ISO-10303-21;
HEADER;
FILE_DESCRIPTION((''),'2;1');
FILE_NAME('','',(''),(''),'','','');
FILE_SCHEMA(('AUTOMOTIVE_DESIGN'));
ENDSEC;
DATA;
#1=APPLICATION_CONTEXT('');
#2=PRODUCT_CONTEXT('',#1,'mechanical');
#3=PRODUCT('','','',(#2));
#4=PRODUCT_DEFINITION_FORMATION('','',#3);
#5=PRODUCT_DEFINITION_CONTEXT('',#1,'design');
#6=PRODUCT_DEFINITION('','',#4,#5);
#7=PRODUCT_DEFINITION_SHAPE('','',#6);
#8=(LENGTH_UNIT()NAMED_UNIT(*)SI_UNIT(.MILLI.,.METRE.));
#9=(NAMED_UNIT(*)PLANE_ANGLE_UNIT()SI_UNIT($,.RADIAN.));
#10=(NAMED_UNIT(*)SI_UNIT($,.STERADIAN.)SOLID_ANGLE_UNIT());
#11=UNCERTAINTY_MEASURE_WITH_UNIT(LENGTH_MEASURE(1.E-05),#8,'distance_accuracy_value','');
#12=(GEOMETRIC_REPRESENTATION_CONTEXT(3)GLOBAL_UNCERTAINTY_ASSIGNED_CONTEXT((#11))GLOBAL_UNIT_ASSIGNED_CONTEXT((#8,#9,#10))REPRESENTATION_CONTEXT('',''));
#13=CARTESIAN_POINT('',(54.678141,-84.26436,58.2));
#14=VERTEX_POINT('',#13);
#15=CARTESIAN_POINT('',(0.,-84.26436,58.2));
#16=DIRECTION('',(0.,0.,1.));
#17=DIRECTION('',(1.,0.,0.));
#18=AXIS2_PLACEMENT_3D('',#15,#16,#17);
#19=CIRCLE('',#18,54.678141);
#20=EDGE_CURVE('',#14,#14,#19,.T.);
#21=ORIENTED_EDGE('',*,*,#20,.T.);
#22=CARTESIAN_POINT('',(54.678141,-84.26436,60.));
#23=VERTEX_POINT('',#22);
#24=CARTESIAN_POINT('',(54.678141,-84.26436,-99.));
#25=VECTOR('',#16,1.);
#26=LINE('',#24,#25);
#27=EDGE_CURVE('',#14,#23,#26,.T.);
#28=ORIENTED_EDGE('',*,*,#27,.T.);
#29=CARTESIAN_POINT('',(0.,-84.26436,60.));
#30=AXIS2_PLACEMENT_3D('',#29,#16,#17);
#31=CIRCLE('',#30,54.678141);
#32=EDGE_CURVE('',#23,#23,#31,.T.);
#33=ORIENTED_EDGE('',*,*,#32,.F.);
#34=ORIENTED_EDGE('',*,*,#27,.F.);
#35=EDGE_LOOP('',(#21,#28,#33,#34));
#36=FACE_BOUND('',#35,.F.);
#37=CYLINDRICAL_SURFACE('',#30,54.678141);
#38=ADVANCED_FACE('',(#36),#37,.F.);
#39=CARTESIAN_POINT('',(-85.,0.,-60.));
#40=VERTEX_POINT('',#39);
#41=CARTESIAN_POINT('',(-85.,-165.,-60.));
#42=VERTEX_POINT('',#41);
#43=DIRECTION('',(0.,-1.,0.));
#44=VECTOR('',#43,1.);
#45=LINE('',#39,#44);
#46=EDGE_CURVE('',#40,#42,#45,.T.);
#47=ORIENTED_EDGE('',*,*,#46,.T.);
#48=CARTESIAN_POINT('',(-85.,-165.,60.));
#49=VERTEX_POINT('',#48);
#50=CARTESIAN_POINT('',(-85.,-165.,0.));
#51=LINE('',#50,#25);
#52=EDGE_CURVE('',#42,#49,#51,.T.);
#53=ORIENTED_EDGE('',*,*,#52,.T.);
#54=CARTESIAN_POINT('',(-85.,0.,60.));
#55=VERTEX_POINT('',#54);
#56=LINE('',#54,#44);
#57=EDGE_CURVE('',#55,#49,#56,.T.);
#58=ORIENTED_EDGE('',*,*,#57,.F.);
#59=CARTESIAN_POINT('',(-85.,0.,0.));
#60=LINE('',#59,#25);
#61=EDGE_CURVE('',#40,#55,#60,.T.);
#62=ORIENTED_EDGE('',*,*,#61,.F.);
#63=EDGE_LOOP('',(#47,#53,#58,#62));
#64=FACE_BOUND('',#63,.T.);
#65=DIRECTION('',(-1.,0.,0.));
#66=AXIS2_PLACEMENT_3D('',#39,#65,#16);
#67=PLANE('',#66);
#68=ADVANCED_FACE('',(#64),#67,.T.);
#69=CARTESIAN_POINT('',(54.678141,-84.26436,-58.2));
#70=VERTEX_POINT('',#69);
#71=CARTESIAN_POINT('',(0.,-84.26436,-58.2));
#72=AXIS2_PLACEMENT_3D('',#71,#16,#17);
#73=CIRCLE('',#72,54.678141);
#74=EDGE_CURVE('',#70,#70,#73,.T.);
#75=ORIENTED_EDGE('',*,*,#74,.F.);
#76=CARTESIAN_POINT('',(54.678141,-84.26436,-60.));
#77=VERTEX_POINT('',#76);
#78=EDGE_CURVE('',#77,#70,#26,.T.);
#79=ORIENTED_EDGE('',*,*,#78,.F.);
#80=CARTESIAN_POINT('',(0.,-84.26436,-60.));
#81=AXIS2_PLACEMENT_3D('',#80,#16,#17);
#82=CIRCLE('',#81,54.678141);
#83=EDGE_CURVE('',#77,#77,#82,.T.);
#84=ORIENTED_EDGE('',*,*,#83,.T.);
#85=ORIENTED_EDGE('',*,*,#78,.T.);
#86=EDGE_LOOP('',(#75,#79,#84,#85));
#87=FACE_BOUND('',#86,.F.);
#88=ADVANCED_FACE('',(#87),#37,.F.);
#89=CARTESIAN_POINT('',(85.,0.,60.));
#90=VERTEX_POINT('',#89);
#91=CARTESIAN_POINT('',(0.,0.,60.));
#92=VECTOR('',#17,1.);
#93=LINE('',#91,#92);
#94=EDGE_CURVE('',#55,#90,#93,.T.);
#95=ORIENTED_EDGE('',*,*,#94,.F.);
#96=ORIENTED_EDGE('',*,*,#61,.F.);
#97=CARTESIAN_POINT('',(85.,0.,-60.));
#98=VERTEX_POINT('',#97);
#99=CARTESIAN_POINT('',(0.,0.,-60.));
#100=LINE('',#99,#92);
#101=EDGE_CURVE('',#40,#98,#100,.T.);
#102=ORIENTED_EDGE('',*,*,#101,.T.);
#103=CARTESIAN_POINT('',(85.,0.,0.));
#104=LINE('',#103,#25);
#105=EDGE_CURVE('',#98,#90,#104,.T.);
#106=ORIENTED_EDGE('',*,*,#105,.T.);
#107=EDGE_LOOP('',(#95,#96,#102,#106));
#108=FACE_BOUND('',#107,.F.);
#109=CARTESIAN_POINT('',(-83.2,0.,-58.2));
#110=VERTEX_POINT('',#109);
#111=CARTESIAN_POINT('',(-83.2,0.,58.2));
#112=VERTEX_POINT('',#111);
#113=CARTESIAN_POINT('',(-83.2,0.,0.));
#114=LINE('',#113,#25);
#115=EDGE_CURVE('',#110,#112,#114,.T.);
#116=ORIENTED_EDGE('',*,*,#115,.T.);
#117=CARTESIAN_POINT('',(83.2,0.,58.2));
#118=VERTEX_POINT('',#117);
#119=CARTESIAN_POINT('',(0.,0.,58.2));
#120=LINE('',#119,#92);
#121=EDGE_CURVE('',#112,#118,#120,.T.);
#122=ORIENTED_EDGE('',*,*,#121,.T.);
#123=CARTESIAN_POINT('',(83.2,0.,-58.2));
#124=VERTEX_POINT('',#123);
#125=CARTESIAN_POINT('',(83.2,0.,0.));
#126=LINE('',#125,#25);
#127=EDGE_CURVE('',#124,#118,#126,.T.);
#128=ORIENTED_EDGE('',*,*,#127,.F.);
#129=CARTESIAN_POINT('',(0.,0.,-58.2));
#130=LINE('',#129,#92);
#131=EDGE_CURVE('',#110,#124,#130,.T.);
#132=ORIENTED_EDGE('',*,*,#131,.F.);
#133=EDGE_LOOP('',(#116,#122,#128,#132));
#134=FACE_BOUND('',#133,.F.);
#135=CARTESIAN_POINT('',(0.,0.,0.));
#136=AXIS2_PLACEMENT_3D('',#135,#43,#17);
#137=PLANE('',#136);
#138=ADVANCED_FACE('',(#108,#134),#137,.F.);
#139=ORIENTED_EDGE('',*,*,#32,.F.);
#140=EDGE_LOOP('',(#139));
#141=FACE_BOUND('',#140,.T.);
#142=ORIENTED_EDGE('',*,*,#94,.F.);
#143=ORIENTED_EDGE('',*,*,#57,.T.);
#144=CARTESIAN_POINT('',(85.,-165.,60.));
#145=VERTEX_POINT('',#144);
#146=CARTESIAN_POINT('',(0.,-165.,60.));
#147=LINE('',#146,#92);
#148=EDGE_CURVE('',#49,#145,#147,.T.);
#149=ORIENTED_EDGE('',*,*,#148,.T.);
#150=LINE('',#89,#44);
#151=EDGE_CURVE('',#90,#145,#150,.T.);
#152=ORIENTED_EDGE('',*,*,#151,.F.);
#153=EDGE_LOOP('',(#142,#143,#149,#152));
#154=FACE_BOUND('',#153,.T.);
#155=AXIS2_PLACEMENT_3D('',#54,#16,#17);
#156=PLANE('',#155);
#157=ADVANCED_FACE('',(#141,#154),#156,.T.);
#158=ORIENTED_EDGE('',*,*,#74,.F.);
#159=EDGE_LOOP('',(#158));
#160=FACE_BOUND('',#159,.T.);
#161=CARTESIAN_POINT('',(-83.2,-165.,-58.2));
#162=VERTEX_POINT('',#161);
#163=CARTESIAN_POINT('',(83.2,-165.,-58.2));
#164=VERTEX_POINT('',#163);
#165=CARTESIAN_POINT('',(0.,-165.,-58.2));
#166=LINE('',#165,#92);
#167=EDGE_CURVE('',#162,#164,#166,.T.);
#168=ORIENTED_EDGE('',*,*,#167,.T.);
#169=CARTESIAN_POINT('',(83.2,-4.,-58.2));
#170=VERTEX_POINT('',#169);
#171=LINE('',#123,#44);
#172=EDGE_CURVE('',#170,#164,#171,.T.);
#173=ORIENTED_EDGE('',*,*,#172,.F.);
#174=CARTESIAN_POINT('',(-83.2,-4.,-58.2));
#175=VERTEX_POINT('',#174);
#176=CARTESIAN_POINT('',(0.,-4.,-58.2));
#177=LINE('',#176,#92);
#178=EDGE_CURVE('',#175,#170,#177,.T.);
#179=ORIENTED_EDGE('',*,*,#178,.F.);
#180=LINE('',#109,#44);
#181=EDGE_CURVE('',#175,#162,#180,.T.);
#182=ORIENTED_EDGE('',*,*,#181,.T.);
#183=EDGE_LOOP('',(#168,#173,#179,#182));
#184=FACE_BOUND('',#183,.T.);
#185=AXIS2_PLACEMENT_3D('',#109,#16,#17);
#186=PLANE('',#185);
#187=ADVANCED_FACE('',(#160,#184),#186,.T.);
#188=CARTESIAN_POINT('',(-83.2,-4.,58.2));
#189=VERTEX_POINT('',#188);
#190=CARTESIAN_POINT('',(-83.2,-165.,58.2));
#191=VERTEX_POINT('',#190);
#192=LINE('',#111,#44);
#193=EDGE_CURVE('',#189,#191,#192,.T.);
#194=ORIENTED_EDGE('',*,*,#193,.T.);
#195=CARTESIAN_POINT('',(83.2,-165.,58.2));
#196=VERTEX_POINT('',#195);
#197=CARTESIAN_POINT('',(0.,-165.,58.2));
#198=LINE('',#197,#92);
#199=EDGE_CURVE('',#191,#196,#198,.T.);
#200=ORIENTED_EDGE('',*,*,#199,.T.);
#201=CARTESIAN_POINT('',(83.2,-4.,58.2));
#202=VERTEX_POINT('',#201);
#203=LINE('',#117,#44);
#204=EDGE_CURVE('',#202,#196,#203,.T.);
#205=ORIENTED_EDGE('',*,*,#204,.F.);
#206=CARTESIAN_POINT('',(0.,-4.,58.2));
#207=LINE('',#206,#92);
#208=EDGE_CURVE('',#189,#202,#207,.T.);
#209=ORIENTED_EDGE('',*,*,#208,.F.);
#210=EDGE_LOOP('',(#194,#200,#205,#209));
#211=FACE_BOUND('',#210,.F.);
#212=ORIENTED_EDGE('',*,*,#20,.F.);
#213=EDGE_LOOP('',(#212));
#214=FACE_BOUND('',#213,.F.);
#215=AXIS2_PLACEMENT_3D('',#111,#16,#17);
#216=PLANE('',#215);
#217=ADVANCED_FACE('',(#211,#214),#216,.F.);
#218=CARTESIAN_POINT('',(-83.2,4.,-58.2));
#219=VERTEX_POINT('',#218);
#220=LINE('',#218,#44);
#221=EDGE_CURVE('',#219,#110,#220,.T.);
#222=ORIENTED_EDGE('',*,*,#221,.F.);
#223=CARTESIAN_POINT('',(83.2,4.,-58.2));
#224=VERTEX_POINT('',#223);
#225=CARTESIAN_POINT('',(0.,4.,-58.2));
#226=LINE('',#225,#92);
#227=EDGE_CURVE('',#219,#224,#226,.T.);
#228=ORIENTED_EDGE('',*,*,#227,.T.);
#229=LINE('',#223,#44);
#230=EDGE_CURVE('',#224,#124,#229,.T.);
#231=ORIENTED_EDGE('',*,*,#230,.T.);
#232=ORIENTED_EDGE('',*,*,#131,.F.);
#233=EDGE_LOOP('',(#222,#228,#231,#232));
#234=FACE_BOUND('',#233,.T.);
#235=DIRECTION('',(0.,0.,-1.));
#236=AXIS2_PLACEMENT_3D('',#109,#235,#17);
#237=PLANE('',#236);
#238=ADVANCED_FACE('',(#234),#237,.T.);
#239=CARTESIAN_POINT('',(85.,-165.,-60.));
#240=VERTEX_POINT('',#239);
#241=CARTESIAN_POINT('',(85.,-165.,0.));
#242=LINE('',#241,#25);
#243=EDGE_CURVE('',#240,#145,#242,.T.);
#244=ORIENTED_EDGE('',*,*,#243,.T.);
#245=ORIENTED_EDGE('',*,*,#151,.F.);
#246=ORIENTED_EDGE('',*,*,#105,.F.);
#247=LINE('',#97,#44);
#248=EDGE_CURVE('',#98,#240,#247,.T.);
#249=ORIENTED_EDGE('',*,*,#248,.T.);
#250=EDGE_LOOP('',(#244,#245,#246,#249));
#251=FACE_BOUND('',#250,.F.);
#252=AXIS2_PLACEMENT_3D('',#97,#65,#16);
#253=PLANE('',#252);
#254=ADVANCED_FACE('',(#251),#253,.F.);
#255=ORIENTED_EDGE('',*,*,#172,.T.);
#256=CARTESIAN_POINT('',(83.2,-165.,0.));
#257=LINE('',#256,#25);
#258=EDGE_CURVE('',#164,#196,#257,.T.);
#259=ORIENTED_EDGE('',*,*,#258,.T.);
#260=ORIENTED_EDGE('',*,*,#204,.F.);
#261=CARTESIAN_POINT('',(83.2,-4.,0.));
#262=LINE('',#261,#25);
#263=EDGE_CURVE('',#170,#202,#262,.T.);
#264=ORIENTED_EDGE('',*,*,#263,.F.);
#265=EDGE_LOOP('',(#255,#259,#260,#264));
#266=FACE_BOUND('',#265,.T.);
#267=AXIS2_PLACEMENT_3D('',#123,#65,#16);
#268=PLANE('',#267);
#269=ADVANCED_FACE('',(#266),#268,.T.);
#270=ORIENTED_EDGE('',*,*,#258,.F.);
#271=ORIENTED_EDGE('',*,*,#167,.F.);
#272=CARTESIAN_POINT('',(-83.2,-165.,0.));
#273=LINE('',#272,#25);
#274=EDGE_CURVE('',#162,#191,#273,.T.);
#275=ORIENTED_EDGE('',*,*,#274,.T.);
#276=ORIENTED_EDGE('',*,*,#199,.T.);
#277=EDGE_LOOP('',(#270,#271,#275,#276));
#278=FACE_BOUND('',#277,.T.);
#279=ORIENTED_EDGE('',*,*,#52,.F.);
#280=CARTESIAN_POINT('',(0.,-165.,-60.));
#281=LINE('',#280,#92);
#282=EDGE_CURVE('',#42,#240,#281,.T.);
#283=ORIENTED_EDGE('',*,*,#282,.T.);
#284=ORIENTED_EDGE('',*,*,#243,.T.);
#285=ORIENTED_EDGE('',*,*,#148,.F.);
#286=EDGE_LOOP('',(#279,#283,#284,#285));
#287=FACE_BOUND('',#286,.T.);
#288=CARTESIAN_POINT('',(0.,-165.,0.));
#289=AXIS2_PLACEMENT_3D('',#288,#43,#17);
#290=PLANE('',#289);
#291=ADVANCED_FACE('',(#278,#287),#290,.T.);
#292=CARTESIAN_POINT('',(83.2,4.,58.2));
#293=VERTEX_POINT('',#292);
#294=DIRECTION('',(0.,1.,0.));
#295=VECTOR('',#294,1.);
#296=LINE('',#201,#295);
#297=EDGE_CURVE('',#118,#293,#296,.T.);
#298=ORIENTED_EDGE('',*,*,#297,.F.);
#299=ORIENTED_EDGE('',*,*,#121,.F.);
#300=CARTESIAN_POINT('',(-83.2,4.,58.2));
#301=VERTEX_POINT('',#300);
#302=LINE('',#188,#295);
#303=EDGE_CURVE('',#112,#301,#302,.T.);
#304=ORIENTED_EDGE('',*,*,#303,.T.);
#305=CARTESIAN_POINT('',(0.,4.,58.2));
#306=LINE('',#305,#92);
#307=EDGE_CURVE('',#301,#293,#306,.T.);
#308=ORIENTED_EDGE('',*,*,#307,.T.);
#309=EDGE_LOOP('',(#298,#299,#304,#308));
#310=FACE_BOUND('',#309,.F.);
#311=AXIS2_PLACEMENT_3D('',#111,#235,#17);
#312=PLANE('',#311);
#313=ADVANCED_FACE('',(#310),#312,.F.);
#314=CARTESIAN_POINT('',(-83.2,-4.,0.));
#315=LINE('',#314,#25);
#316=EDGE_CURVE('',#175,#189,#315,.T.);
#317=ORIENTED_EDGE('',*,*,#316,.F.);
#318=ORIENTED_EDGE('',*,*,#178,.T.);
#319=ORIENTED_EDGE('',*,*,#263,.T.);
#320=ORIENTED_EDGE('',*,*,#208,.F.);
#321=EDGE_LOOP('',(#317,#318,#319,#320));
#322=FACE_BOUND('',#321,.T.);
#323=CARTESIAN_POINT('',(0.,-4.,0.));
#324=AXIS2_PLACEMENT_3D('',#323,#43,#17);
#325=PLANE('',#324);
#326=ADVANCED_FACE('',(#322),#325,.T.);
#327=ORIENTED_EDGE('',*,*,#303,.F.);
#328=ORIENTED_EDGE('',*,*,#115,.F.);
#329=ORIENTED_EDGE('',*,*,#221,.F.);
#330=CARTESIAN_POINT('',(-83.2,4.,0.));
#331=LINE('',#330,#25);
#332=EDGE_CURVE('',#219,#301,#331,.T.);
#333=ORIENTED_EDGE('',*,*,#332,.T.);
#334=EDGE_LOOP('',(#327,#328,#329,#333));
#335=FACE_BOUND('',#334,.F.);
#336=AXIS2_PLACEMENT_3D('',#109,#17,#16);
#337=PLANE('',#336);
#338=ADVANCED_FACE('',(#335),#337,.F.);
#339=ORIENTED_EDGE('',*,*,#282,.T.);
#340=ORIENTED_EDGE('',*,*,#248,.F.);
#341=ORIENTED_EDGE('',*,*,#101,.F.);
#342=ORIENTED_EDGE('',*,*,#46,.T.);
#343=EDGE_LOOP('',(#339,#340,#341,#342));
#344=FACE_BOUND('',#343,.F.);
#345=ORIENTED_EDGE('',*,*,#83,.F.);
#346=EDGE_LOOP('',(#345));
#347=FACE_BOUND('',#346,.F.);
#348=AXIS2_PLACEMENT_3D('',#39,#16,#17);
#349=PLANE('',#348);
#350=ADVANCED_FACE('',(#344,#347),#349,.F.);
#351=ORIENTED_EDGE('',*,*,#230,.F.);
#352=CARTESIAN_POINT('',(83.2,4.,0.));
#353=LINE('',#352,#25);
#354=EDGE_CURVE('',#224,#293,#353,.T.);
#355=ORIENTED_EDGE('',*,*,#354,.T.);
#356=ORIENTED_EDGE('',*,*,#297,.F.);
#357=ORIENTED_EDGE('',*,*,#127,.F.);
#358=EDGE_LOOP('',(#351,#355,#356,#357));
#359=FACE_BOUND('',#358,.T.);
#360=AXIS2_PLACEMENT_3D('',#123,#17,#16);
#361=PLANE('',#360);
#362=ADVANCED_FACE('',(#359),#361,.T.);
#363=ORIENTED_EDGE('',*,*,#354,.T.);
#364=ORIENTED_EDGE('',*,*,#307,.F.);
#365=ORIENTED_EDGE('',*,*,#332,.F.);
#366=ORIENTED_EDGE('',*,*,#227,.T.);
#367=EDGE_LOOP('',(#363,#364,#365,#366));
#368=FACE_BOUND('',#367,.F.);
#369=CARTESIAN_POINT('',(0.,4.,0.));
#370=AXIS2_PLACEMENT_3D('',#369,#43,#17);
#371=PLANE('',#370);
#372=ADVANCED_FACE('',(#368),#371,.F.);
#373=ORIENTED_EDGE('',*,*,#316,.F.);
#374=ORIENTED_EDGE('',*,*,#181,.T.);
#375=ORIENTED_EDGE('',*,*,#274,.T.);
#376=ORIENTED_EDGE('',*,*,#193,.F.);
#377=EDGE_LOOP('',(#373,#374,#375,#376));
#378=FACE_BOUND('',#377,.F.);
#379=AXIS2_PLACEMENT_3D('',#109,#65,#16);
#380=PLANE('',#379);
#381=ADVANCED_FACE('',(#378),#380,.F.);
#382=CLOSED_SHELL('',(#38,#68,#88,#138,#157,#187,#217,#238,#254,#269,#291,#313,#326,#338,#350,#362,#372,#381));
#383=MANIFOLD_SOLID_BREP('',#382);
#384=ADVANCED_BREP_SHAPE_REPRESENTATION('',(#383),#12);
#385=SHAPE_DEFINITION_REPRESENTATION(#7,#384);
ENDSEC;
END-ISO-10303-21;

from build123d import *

# Parameters (mm, degrees)
F0_W     = 170
F0_H     = 120
F0_W_2   = 166.4
F0_H_2   = 116.4
F1_DEPTH = 165
F3_R     = 54.678141
F4_DEPTH = 159
F6_DEPTH = 4


with BuildPart() as f1:
    # F0 (on Front) → F1 (new body)
    with BuildSketch(Plane.XZ):
        Rectangle(F0_W, F0_H)
        Rectangle(F0_W_2, F0_H_2, mode=Mode.SUBTRACT)
    extrude(amount=F1_DEPTH)


with BuildPart() as f4:
    # F3 (on face) → F4 (new body, symmetric)
    with BuildSketch(Plane.XY.offset(60)):
        with Locations((0, -84.26436)):
            Circle(F3_R)
    extrude(amount=F4_DEPTH, both=True)


with BuildPart() as f1_1:
    add(f1.part)

    # F5: cut F4
    add(f4.part, mode=Mode.SUBTRACT)

    # F0 (on Front) → F6 (join, symmetric)
    with BuildSketch(Plane.XZ):
        Rectangle(F0_W_2, F0_H_2)
    extrude(amount=F6_DEPTH, both=True)


solid = f1_1.part
